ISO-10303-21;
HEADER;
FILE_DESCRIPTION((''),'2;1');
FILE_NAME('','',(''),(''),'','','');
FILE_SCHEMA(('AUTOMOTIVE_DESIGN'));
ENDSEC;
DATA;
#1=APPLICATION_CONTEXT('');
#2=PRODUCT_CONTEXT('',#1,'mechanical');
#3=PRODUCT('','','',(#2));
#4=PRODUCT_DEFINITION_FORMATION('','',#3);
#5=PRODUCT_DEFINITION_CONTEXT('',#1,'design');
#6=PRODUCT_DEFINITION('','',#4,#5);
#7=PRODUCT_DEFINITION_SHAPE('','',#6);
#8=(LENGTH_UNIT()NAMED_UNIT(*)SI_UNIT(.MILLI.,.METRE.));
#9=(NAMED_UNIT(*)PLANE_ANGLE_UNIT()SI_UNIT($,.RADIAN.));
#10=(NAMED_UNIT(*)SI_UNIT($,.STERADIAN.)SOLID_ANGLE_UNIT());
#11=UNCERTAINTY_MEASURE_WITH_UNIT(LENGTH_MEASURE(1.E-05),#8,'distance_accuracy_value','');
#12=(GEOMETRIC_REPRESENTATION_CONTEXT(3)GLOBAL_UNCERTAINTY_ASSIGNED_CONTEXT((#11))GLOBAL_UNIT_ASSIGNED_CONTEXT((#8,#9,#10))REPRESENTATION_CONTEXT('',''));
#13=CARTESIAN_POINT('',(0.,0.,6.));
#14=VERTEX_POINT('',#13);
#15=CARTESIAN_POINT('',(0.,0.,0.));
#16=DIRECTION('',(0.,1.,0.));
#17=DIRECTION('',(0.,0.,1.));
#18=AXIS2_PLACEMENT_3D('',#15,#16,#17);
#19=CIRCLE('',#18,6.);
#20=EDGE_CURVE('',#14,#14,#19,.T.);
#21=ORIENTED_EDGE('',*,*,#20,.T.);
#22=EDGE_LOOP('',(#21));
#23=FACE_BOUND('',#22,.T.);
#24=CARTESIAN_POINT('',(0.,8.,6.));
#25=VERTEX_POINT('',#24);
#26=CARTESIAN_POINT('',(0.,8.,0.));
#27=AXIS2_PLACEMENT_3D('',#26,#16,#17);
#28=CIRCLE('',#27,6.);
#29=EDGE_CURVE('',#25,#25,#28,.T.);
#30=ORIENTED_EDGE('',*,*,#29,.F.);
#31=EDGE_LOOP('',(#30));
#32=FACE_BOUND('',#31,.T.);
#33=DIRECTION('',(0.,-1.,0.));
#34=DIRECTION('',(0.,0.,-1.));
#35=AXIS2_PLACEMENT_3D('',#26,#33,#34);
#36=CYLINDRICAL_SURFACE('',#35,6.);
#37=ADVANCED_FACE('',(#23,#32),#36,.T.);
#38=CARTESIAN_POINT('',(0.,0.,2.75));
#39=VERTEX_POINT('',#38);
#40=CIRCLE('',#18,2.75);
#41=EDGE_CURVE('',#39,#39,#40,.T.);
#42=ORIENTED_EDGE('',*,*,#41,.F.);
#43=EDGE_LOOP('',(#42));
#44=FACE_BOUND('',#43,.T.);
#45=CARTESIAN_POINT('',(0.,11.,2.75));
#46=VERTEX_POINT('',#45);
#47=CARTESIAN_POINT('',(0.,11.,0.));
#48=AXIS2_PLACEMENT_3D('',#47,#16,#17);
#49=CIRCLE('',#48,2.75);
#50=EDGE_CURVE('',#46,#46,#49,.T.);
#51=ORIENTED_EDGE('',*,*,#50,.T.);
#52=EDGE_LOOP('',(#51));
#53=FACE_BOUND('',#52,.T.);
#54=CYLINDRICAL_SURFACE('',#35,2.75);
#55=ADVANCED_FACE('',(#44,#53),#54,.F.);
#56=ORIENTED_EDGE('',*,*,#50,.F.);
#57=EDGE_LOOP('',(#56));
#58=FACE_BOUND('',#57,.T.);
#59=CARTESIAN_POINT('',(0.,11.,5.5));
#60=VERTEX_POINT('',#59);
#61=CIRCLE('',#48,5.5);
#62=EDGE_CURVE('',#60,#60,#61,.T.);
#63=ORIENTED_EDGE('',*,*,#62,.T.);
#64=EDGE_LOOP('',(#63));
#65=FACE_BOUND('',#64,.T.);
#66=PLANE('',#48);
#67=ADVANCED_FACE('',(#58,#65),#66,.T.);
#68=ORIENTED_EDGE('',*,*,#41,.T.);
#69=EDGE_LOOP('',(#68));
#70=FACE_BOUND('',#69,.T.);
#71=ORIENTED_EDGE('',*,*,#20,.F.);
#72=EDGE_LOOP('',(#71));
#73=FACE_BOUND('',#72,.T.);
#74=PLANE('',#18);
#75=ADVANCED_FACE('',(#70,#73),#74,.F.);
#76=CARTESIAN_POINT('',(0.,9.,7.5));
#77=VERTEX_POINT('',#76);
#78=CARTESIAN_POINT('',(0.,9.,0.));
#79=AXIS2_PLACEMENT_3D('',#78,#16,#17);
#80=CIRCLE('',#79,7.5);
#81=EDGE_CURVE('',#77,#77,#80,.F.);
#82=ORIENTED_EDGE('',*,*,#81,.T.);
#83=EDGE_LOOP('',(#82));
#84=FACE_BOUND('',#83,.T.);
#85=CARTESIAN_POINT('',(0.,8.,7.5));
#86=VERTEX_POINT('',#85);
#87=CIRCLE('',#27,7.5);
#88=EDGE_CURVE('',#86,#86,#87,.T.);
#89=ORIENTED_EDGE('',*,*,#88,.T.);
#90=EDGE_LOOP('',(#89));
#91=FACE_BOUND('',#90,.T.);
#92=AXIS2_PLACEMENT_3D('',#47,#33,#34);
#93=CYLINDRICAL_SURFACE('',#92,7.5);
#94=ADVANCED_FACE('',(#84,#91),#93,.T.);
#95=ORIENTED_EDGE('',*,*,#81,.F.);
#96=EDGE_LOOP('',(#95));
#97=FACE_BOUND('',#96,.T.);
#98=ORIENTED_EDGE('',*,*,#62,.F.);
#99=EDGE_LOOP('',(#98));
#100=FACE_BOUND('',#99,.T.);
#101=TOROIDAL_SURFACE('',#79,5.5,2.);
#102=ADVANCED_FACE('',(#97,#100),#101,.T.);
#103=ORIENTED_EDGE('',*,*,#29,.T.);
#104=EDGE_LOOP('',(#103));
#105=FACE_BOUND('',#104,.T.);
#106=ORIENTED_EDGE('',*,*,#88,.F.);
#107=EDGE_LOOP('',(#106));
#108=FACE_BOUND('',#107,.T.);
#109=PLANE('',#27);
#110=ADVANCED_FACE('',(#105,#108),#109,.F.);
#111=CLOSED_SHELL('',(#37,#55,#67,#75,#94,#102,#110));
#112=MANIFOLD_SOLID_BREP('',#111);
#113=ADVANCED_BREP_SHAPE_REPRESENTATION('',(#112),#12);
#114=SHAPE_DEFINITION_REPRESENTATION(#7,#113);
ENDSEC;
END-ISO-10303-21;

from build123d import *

# Parameters (mm, degrees)
SKETCH1_R           = 6
SKETCH1_R_2         = 2.75
BOSS_EXTRUDE1_DEPTH = 8
SKETCH2_R           = 7.5
SKETCH2_R_2         = 2.75
BOSS_EXTRUDE2_DEPTH = 3
FILLET1_R           = 2


with BuildPart() as part:
    # Sketch1 → Boss-Extrude1 (new body)
    with BuildSketch(Plane(origin=(0, 0, 0), x_dir=(1, 0, 0), z_dir=(0, 1, 0))):
        with Locations(Location((0, 0, 0), (0, 0, 270))):
            Circle(SKETCH1_R)
        with Locations(Location((0, 0, 0), (0, 0, 270))):
            Circle(SKETCH1_R_2, mode=Mode.SUBTRACT)
    extrude(amount=BOSS_EXTRUDE1_DEPTH)

    # Sketch2 → Boss-Extrude2 (add)
    with BuildSketch(Plane(origin=(0, 8, 0), x_dir=(1, 0, 0), z_dir=(0, 1, 0))):
        with Locations(Location((0, 0, 0), (0, 0, 270))):
            Circle(SKETCH2_R)
        with Locations(Location((0, 0, 0), (0, 0, 270))):
            Circle(SKETCH2_R_2, mode=Mode.SUBTRACT)
    extrude(amount=BOSS_EXTRUDE2_DEPTH)

    # Fillet1
    fillet1_edges = [part.edges().sort_by_distance(p)[0] for p in [
        (0, 11, -7.5),
    ]]
    fillet(fillet1_edges, radius=FILLET1_R)


solid = part.part
